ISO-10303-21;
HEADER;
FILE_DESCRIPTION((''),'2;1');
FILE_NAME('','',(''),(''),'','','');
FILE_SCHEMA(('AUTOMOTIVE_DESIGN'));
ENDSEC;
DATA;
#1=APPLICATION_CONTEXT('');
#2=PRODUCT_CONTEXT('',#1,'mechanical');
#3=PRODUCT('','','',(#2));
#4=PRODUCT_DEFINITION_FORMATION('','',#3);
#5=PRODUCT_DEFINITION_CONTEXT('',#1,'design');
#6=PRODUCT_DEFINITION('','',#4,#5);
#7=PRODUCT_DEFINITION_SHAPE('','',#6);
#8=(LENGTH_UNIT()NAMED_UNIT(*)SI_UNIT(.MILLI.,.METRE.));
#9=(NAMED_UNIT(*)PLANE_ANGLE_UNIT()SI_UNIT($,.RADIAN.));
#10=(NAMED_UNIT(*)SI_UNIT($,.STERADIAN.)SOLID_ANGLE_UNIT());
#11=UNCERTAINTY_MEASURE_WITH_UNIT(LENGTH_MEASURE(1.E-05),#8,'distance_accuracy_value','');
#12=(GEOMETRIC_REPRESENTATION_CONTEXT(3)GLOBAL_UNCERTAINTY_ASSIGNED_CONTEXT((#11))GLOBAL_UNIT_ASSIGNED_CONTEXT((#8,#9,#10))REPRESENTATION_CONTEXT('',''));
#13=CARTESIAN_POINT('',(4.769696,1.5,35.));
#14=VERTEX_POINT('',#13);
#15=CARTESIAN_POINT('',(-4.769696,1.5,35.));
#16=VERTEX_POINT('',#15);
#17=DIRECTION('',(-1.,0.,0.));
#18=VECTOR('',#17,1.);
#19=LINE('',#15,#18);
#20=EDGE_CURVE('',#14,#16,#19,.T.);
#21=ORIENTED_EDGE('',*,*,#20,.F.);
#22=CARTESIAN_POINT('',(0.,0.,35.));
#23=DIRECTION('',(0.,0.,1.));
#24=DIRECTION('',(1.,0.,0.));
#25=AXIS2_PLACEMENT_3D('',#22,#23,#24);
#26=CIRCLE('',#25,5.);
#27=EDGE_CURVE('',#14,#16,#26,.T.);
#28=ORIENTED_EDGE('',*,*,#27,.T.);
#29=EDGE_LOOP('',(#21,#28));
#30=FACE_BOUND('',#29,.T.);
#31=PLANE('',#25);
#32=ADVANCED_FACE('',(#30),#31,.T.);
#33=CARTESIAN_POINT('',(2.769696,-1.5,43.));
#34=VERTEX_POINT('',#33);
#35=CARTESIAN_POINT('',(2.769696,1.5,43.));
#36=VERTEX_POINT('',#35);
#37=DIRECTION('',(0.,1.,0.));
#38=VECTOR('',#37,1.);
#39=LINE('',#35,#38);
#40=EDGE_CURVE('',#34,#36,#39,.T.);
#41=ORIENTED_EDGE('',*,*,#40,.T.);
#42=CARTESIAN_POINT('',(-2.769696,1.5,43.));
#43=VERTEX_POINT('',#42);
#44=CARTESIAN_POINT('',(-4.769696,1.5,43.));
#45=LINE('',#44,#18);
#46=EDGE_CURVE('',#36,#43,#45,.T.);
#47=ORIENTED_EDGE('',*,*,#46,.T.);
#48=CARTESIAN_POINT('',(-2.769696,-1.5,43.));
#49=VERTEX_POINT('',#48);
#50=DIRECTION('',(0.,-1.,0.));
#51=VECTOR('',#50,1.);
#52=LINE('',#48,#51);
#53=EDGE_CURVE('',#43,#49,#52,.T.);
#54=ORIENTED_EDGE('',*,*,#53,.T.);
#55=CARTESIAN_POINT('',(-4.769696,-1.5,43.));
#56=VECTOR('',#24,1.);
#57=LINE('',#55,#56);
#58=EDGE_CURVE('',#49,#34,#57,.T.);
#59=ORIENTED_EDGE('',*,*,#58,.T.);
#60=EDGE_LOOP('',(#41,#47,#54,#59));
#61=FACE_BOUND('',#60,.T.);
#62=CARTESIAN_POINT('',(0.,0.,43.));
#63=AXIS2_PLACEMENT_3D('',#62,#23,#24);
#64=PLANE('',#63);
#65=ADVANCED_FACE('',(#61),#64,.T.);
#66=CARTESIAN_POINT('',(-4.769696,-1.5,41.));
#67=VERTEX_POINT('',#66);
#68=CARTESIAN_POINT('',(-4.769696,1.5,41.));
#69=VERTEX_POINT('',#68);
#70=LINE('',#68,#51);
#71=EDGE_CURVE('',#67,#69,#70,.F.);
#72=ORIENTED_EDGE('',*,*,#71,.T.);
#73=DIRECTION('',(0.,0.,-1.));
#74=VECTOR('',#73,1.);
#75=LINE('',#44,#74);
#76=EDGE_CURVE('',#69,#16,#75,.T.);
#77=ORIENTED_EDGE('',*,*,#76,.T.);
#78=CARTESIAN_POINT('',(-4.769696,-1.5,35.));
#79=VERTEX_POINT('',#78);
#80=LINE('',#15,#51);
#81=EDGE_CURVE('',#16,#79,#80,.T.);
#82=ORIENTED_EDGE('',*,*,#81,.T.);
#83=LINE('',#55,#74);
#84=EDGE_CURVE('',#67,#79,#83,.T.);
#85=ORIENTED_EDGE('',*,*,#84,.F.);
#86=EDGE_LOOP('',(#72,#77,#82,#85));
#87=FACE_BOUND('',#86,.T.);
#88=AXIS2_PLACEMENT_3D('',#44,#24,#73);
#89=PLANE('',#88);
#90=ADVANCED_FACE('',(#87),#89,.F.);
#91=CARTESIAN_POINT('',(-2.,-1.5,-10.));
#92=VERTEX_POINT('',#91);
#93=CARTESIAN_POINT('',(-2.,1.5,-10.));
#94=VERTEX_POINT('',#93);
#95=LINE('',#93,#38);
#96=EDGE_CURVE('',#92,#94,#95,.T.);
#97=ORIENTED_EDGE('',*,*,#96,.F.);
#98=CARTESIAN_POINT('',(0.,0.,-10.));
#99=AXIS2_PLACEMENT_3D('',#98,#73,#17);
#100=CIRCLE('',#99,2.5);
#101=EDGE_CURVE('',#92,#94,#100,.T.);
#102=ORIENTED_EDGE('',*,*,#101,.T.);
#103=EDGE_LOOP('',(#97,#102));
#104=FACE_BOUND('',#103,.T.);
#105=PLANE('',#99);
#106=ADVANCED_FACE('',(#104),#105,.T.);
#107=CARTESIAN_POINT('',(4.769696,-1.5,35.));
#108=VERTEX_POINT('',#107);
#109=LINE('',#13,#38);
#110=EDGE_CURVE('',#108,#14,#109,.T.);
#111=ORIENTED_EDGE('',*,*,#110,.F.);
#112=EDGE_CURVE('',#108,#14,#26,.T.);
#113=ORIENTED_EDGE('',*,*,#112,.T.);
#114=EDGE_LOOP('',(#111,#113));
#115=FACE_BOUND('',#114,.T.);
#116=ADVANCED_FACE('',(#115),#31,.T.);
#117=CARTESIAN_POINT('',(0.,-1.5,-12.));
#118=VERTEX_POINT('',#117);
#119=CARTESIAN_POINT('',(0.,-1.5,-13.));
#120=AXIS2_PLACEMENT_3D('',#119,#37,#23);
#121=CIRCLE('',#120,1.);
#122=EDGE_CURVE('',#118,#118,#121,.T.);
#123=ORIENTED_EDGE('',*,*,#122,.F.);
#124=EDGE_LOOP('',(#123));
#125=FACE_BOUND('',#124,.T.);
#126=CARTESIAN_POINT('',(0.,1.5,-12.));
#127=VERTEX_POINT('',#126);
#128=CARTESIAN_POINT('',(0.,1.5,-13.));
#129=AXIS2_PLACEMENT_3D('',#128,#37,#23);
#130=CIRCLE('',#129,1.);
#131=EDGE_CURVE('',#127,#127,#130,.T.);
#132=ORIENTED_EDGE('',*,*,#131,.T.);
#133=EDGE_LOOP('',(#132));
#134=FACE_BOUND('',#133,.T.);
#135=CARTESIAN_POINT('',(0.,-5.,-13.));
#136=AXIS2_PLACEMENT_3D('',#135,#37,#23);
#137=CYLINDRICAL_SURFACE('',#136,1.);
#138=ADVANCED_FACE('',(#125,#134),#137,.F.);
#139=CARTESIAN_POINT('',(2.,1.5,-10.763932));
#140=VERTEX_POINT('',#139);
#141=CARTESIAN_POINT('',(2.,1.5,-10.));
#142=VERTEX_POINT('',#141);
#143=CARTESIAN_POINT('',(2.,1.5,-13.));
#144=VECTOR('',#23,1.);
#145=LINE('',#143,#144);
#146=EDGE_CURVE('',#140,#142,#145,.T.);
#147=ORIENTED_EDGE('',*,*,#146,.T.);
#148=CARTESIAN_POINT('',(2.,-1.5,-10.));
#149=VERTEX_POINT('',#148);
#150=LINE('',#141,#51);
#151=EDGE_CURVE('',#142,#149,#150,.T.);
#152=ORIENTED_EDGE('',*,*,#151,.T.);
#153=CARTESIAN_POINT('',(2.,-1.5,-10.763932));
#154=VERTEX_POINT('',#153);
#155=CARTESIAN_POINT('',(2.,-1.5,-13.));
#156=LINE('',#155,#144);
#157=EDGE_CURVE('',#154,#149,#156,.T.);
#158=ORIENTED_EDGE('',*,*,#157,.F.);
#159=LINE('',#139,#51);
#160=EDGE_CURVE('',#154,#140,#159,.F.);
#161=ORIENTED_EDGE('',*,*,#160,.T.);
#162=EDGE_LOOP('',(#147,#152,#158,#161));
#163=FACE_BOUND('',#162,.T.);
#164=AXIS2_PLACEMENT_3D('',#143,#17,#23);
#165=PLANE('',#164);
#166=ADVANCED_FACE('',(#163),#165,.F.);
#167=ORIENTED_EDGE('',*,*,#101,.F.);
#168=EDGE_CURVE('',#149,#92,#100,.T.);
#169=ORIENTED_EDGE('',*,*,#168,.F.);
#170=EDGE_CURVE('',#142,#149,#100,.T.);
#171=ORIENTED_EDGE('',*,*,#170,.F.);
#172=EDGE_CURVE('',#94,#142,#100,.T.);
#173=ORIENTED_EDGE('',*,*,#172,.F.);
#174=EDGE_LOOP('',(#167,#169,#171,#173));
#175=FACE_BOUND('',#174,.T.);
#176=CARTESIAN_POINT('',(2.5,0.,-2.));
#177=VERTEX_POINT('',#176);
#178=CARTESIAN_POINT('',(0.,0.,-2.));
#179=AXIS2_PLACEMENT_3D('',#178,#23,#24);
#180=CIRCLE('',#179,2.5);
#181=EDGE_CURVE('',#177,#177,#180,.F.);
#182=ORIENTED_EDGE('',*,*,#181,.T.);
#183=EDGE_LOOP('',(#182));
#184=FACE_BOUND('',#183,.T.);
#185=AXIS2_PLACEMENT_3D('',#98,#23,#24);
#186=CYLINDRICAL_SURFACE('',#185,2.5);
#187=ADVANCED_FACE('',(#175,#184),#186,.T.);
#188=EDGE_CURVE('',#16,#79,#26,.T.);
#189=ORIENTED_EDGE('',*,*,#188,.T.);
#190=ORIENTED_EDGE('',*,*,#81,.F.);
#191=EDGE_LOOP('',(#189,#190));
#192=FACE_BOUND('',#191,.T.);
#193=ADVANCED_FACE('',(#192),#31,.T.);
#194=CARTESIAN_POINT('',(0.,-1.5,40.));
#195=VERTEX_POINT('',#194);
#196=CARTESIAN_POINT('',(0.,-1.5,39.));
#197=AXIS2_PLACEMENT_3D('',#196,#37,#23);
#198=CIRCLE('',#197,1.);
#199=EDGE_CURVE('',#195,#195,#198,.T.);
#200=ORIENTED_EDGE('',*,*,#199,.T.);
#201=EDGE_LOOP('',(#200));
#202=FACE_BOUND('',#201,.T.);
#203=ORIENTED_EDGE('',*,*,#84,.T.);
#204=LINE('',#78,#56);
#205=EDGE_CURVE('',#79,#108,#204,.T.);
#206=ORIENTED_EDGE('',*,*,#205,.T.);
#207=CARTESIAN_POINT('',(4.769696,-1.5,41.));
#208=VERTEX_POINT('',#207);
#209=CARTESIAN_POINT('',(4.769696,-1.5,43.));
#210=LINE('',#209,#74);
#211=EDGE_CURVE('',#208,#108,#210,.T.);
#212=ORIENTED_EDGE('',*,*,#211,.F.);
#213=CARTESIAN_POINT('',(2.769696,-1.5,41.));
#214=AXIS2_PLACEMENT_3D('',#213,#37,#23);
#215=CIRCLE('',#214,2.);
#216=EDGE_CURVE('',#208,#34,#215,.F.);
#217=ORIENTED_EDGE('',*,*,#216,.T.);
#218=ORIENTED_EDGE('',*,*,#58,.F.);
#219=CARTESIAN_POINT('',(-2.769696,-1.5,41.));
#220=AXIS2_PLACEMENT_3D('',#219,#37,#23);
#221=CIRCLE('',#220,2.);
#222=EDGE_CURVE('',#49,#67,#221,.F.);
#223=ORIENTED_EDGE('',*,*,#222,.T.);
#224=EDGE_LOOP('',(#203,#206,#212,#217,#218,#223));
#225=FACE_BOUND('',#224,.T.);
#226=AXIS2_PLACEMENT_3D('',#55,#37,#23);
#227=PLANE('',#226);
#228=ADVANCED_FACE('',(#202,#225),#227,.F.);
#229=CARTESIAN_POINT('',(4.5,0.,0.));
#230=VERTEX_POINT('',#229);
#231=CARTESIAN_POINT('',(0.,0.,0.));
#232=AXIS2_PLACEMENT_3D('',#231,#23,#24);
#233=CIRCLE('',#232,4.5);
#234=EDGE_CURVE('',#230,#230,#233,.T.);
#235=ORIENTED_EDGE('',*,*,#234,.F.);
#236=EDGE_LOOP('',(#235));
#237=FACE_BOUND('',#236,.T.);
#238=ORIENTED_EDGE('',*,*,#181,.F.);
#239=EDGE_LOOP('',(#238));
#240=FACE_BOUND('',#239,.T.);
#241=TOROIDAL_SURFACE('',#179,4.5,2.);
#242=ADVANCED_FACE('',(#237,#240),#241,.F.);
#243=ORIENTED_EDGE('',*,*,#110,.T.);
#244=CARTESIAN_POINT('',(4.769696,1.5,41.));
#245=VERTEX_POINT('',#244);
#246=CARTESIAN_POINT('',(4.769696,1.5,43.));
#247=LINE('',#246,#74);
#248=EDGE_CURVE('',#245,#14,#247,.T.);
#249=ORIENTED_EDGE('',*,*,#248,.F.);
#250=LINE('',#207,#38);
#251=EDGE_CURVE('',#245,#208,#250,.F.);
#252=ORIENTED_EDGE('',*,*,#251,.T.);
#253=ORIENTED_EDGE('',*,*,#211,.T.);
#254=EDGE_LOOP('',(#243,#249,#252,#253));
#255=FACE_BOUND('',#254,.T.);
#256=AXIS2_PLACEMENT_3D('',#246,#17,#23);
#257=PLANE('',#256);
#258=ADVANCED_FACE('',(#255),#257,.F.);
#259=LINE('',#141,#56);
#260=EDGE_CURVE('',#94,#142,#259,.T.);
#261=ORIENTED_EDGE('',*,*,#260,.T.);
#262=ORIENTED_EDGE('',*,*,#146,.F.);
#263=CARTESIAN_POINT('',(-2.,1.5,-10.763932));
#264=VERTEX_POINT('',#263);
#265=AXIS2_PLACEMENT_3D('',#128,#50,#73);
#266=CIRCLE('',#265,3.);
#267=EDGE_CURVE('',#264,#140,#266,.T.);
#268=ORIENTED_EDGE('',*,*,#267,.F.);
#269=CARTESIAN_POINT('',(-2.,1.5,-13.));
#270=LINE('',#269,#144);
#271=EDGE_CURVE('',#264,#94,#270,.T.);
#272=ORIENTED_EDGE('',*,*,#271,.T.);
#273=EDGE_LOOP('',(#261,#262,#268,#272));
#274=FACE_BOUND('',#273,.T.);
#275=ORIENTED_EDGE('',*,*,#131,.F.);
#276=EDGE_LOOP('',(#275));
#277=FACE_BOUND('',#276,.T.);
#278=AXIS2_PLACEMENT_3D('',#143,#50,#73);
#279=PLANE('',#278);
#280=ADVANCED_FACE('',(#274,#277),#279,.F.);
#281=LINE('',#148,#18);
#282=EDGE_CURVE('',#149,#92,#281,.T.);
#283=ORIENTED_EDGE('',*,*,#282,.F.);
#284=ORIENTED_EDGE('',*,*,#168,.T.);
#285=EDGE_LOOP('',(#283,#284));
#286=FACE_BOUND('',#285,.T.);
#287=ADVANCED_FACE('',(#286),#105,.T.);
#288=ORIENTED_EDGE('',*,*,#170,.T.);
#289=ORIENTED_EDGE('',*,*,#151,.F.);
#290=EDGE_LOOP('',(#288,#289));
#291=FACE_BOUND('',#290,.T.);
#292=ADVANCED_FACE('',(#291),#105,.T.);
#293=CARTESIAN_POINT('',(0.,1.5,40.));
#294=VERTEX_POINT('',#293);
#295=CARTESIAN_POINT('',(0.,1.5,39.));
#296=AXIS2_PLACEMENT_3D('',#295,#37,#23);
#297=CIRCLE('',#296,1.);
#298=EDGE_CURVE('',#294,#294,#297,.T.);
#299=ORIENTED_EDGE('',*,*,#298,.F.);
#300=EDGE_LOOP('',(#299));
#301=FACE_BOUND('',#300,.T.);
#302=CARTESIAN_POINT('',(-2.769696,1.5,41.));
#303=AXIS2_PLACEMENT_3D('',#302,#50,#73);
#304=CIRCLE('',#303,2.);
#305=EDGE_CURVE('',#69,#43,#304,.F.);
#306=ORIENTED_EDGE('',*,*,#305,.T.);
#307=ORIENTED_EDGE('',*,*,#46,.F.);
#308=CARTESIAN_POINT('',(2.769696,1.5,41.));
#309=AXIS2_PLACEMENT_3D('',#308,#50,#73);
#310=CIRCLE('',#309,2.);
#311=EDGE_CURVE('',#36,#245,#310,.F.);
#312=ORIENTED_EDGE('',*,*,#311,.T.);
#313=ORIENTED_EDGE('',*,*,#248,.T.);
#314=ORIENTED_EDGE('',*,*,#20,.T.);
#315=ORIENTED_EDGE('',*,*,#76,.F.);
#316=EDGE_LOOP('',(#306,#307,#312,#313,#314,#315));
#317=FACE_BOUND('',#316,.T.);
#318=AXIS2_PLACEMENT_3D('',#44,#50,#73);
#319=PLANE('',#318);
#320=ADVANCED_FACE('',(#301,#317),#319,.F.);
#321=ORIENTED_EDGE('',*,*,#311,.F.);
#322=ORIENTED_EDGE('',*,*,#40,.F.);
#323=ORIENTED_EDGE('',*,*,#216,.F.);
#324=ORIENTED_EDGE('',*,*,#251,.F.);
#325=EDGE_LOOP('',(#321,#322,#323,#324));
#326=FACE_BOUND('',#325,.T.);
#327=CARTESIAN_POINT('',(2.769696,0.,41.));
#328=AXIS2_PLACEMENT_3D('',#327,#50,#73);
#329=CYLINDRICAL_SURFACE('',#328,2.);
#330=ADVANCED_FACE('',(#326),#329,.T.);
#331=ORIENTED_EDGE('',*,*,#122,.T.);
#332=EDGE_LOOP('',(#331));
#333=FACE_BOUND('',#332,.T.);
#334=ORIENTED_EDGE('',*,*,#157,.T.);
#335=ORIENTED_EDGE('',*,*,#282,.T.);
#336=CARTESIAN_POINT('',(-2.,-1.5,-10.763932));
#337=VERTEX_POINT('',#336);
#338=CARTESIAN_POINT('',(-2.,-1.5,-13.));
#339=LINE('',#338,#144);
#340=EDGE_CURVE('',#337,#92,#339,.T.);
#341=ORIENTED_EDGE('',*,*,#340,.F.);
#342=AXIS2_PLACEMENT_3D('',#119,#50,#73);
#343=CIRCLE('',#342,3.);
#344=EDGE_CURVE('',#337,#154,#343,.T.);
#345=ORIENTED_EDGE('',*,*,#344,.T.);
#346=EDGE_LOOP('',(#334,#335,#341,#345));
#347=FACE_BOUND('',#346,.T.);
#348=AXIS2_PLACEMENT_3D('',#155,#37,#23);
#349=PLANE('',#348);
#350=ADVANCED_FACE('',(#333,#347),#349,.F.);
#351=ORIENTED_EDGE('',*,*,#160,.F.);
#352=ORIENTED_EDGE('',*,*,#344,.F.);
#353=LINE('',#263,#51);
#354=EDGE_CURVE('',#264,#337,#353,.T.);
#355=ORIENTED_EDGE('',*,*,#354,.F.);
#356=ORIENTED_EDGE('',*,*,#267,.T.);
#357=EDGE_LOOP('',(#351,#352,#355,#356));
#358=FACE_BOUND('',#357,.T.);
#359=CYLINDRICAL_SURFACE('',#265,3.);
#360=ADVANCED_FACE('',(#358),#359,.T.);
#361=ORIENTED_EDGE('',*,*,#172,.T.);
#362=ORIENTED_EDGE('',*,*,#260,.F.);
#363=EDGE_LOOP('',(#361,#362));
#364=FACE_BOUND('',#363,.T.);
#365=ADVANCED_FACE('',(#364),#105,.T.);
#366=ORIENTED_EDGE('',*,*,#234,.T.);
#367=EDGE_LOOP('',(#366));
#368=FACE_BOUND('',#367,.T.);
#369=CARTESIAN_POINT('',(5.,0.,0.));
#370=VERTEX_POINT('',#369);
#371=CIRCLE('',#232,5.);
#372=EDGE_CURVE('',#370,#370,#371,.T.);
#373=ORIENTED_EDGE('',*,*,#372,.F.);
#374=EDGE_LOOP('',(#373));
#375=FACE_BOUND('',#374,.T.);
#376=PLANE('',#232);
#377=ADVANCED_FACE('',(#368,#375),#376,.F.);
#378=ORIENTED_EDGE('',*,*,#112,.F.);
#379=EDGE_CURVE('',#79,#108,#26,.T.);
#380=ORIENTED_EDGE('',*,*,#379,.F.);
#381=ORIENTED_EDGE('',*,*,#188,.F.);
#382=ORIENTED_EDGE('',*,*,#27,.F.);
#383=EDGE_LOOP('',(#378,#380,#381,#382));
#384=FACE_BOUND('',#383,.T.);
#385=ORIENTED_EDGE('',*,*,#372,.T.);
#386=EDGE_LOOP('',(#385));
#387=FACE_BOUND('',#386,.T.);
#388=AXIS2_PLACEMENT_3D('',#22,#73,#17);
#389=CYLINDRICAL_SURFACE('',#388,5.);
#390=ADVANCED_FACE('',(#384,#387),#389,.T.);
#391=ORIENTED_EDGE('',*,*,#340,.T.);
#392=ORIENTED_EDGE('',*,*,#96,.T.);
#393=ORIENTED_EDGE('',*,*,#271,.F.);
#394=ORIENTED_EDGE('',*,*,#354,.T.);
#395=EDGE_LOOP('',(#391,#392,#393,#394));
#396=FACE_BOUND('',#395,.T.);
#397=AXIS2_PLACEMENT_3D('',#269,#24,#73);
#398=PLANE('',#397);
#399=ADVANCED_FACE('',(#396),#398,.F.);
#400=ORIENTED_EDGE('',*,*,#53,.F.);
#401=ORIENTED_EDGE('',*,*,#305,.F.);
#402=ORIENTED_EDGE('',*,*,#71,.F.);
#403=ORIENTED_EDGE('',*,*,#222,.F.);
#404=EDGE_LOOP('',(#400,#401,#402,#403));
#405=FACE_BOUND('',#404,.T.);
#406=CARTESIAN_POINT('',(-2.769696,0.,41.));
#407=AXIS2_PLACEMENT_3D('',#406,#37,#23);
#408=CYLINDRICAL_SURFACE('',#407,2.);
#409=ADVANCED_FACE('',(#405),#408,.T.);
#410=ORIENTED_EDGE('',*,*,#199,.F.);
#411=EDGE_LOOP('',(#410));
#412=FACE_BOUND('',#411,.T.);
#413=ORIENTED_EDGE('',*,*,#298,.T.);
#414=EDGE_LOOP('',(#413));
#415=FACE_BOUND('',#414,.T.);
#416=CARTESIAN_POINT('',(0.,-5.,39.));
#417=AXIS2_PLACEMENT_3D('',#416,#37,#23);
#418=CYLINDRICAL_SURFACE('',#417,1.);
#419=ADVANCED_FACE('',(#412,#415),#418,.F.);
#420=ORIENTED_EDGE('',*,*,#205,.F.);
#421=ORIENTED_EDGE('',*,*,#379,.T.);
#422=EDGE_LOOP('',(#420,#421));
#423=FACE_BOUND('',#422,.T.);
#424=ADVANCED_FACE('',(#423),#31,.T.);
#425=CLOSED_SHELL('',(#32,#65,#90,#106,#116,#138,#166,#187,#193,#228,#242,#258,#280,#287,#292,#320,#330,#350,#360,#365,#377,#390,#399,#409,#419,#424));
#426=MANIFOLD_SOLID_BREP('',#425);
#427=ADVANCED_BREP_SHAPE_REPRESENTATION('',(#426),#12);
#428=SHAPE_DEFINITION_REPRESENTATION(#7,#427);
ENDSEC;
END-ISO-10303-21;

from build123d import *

# Parameters (mm, degrees)
SKETCH1_R           = 5
BOSS_EXTRUDE1_DEPTH = 35
SKETCH2_W           = 9.539392014
SKETCH2_H           = 3
BOSS_EXTRUDE2_DEPTH = 8
SKETCH3_R           = 2.5
BOSS_EXTRUDE3_DEPTH = 10
SKETCH4_W           = 4
SKETCH4_H           = 3
BOSS_EXTRUDE4_DEPTH = 3
SKETCH5_R           = 3
BOSS_EXTRUDE5_DEPTH = 3
FILLET1_R           = 2
FILLET4_R           = 2
SKETCH6_R           = 1
CUT_EXTRUDE1_DEPTH  = 44.774992861
SKETCH7_R           = 1
CUT_EXTRUDE2_DEPTH  = 44.774992861


with BuildPart() as part:
    # Sketch1 → Boss-Extrude1 (new body)
    with BuildSketch(Plane.XY):
        Circle(SKETCH1_R)
    extrude(amount=BOSS_EXTRUDE1_DEPTH)

    # Sketch2 → Boss-Extrude2 (add)
    with BuildSketch(Plane.XY.offset(35)):
        Rectangle(SKETCH2_W, SKETCH2_H)
    extrude(amount=BOSS_EXTRUDE2_DEPTH)

    # Sketch3 → Boss-Extrude3 (add)
    with BuildSketch(Plane(origin=(0, 0, 0), x_dir=(-1, 0, 0), z_dir=(0, 0, -1))):
        Circle(SKETCH3_R)
    extrude(amount=BOSS_EXTRUDE3_DEPTH)

    # Sketch4 → Boss-Extrude4 (add)
    with BuildSketch(Plane(origin=(0, 0, -10), x_dir=(-1, 0, 0), z_dir=(0, 0, -1))):
        Rectangle(SKETCH4_W, SKETCH4_H)
    extrude(amount=BOSS_EXTRUDE4_DEPTH)

    # Sketch5 → Boss-Extrude5 (add)
    with BuildSketch(Plane(origin=(0, -1.5, 0), x_dir=(-1, 0, 0), z_dir=(0, -1, 0))):
        with Locations((0, 13)):
            Circle(SKETCH5_R)
    extrude(amount=-BOSS_EXTRUDE5_DEPTH)

    # Fillet1
    fillet1_edges = [part.edges().sort_by_distance(p)[0] for p in [
        (4.769696007, 0, 43),
        (-4.769696007, 0, 43),
    ]]
    fillet(fillet1_edges, radius=FILLET1_R)

    # Fillet4
    fillet4_edges = [part.edges().sort_by_distance(p)[0] for p in [
        (2.5, 0, 0),
    ]]
    fillet(fillet4_edges, radius=FILLET4_R)

    # Sketch6 → Cut-Extrude1 (cut, through all)
    with BuildSketch(Plane(origin=(0, 1.5, 0), x_dir=(1, 0, 0), z_dir=(0, 1, 0))):
        with Locations(Location((0, 13, 0), (0, 0, 270))):
            Circle(SKETCH6_R)
    extrude(amount=-CUT_EXTRUDE1_DEPTH, mode=Mode.SUBTRACT)

    # Sketch7 → Cut-Extrude2 (cut, through all)
    with BuildSketch(Plane(origin=(0, 1.5, 0), x_dir=(1, 0, 0), z_dir=(0, 1, 0))):
        with Locations(Location((0, -39, 0), (0, 0, 270))):
            Circle(SKETCH7_R)
    extrude(amount=-CUT_EXTRUDE2_DEPTH, mode=Mode.SUBTRACT)


solid = part.part
